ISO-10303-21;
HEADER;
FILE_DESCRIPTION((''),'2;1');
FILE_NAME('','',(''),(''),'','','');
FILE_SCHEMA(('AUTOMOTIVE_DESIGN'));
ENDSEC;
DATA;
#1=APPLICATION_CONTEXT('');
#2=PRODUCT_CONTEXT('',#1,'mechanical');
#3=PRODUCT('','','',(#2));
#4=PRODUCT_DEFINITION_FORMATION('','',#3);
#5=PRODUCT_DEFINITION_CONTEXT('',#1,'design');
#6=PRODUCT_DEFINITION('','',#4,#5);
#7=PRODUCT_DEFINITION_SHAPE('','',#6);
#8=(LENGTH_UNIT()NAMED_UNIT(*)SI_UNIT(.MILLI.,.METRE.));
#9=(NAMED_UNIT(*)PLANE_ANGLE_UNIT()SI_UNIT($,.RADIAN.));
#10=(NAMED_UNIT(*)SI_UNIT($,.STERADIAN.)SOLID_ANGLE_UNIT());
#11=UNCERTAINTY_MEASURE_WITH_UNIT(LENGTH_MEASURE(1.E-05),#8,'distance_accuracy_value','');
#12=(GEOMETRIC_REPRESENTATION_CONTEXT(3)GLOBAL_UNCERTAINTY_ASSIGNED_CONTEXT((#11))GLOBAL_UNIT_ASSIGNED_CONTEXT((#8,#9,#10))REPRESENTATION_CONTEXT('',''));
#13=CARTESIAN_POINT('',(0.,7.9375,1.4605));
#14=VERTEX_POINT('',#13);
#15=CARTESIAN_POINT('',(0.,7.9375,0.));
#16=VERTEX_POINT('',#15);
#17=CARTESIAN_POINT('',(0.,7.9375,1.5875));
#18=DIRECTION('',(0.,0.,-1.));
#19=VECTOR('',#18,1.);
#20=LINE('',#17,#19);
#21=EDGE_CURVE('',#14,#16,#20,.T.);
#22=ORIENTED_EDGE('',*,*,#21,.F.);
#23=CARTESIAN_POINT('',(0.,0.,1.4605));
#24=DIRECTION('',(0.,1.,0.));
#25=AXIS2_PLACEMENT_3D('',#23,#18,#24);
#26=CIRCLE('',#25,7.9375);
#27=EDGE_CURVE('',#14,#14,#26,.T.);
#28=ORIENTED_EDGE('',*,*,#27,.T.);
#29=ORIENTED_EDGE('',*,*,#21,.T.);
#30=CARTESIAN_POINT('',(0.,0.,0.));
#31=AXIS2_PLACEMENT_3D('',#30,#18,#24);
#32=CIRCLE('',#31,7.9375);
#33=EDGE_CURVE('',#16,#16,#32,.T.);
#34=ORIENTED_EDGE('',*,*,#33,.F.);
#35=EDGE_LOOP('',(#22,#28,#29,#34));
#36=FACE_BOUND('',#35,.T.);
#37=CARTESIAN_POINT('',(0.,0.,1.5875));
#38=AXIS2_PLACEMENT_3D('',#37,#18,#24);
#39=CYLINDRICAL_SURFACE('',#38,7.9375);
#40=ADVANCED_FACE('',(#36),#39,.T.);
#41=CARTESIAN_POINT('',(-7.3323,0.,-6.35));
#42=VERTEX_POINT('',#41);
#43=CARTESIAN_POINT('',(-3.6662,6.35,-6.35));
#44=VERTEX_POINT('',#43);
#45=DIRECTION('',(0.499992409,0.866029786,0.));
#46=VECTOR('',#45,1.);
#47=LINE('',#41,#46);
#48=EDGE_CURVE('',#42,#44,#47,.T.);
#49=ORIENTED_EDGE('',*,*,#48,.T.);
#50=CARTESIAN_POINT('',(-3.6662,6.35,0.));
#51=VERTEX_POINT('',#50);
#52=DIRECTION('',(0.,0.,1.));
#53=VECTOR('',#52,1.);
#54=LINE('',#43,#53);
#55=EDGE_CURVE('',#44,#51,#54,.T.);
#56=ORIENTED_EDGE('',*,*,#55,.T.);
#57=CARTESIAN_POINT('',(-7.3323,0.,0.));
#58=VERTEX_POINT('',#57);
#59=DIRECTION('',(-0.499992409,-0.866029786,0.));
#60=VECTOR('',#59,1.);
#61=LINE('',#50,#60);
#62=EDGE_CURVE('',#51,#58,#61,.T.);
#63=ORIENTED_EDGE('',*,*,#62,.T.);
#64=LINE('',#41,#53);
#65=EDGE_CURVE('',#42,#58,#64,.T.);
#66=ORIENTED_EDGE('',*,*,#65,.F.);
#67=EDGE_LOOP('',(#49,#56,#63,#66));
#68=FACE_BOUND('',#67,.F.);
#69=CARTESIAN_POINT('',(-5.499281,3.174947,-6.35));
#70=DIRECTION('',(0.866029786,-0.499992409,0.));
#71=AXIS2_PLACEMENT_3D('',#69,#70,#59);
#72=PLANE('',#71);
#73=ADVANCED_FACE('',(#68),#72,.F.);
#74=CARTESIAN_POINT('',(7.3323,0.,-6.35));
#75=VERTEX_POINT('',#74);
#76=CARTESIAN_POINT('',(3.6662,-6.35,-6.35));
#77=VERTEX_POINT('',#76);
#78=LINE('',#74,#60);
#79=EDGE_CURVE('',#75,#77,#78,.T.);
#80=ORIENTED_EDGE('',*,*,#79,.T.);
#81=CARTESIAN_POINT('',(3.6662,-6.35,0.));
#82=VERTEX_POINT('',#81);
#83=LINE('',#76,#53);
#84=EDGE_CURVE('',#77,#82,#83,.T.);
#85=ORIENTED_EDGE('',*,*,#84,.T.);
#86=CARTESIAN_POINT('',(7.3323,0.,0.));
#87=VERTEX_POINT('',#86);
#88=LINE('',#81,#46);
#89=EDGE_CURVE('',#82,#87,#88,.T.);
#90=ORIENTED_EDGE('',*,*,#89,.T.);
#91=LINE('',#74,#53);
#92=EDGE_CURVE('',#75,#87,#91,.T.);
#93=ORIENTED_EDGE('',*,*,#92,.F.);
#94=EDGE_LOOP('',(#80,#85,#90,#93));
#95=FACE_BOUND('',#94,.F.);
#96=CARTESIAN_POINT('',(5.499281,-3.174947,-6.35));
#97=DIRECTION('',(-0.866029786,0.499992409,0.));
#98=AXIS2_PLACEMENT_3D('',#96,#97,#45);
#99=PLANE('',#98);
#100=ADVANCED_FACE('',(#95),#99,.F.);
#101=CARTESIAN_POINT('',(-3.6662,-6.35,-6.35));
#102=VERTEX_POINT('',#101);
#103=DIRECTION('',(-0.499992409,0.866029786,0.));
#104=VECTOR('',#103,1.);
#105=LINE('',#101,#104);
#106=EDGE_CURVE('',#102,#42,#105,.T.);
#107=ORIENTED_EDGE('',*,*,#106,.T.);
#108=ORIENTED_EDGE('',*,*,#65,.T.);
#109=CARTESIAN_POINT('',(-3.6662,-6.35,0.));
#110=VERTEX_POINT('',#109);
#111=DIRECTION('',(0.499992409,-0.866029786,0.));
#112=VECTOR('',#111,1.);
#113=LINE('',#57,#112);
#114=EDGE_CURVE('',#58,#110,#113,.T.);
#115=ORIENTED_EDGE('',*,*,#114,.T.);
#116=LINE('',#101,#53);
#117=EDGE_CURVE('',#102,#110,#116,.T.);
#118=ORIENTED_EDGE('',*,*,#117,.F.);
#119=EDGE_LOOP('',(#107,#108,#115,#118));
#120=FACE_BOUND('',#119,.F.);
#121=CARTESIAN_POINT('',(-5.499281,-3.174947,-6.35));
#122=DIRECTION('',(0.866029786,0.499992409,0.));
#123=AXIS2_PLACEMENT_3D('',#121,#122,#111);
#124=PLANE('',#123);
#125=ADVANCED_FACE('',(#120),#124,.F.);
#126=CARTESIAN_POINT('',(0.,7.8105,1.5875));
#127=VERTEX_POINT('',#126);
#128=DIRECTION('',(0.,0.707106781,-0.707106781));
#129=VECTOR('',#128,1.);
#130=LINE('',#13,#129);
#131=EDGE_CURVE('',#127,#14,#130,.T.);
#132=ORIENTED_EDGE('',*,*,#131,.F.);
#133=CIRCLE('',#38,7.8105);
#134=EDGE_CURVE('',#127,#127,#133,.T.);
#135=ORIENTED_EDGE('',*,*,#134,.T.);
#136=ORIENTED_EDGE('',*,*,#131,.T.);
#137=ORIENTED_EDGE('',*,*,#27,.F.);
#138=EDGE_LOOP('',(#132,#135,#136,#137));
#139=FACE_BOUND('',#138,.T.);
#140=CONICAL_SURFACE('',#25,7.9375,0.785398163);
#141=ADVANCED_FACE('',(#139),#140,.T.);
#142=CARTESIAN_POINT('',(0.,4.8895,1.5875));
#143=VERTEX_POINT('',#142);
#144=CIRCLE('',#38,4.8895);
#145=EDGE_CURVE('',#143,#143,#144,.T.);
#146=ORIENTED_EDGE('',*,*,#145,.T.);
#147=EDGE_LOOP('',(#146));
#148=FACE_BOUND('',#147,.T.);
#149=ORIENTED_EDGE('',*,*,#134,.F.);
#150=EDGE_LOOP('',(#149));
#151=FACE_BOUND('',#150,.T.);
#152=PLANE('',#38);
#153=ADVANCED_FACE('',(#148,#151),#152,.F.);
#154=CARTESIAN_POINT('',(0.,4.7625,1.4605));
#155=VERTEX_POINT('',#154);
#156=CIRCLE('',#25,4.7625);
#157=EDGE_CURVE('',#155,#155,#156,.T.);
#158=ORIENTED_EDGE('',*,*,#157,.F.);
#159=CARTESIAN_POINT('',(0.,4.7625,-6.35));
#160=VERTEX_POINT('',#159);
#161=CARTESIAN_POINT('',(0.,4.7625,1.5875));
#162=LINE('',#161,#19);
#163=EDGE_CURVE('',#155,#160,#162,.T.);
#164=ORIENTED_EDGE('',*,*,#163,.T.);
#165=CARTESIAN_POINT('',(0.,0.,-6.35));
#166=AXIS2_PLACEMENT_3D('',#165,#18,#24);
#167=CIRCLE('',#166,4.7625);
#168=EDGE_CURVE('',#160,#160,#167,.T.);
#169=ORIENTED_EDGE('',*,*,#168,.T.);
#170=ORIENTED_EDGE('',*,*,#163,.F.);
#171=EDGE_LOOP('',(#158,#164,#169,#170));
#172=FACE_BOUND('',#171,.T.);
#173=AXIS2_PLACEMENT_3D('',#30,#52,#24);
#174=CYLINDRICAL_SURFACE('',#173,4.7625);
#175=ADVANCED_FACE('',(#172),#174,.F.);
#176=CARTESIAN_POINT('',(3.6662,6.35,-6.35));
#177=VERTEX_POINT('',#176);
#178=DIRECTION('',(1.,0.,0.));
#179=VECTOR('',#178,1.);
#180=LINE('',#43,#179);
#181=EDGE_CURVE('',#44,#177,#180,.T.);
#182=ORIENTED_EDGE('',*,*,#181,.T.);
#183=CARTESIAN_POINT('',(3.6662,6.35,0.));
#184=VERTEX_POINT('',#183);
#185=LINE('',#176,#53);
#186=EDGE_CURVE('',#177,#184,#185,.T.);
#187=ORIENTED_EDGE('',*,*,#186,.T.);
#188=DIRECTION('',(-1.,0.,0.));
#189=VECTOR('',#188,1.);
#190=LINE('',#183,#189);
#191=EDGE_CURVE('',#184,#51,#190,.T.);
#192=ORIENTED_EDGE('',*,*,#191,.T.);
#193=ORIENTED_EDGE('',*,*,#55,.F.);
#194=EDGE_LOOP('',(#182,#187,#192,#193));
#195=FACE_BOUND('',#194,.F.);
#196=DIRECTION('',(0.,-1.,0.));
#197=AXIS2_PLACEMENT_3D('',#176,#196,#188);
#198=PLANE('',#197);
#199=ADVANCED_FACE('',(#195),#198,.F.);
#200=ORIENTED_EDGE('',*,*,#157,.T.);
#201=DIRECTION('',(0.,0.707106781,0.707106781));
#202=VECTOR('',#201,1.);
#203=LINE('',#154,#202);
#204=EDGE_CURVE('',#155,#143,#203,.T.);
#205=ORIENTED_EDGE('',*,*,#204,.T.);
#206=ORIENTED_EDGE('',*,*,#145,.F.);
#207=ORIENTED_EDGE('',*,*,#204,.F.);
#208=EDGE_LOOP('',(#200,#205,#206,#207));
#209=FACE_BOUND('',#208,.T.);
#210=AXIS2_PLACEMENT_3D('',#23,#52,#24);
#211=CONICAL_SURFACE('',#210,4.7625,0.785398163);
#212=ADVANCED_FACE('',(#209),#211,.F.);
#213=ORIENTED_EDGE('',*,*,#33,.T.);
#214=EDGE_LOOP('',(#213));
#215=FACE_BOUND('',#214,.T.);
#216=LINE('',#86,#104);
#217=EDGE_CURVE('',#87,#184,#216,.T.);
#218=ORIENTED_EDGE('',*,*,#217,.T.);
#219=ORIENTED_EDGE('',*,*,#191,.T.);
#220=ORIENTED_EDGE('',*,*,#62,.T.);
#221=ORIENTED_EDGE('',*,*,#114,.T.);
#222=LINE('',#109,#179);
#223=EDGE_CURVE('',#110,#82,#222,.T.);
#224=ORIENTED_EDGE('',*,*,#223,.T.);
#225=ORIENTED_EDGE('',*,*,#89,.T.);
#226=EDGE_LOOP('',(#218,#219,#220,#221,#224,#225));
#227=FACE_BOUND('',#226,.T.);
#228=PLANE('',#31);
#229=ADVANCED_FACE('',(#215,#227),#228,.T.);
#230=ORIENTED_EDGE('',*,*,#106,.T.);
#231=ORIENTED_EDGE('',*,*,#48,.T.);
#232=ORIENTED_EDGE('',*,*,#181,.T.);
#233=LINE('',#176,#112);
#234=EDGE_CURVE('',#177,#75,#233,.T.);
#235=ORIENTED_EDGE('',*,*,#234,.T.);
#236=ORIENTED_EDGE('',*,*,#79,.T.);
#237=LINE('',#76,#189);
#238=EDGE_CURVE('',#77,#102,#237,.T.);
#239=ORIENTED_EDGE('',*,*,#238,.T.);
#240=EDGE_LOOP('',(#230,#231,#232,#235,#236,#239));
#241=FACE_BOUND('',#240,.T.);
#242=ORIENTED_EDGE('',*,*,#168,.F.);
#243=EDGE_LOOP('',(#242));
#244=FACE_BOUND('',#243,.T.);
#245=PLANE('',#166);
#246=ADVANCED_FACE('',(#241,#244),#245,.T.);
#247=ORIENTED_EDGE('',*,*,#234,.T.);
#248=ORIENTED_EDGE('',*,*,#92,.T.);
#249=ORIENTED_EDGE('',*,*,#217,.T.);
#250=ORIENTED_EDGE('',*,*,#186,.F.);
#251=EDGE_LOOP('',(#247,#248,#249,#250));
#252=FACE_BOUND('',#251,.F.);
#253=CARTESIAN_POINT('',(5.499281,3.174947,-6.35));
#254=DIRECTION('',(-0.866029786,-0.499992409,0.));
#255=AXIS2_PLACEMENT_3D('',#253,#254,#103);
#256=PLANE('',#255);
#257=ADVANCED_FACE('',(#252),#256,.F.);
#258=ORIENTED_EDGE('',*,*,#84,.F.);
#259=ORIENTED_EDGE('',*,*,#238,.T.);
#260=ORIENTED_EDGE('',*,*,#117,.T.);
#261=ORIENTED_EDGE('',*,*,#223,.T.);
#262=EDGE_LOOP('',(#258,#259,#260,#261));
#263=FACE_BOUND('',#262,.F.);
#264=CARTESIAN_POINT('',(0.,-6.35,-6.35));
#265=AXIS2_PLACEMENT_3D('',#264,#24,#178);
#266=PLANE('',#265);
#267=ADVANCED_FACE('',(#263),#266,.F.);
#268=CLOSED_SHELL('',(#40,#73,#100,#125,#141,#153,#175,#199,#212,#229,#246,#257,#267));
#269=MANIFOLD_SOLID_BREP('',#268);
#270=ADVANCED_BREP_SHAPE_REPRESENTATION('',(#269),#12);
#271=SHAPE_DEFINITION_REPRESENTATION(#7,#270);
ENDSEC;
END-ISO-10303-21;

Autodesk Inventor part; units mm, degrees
ref_plane "YZ Plane" through (0, 0, 0) normal (1, 0, 0) x (0, 1, 0)
ref_plane "XZ Plane" through (0, 0, 0) normal (0, 1, 0) x (-1, 0, 0)
ref_plane "XY Plane" through (0, 0, 0) normal (0, 0, 1) x (1, 0, 0)
sketch "Sketch1" plane through (0, 0, 0) normal (1, 0, 0) x (0, 1, 0)
  line L0 (0, 0) -> (4.7625, 0)
  line L1 (4.7625, 0) -> (4.7625, 1.5875)
  line L2 (4.7625, 1.5875) -> (7.9375, 1.5875)
  line L3 (7.9375, 1.5875) -> (7.9375, 0)
  line L4 (7.9375, 0) -> (6.35, 0)
  line L5 (6.35, 0) -> (6.35, -6.35)
  line L6 (6.35, -6.35) -> (4.7625, -6.35)
  line L7 (4.7625, -6.35) -> (4.7625, 0)
  line L8 (0, 0) -> (0, -7.0209)
  dimension "d0" = 9.525
  dimension "d1" = 12.7
  dimension "d2" = 15.875
  dimension "d3" = 1.5875
  dimension "d4" = 6.35
revolve "Revolution1" add sketch "Sketch1" angle 360 about axis through (0, 0, 0) along (0, 0, -1)
sketch "Sketch2" plane through (0, 0, -6.35) normal (0, 0, -1) x (-1, 0, 0)
  circle A0 centre (0, 0) radius 6.35 projected
  line L0 (-7.3323, 0) -> (-3.6662, 6.35)
  line L1 (-3.6662, 6.35) -> (3.6662, 6.35)
  line L2 (3.6662, 6.35) -> (7.3323, 0)
  line L3 (7.3323, 0) -> (3.6662, -6.35)
  line L4 (3.6662, -6.35) -> (-3.6662, -6.35)
  line L5 (-3.6662, -6.35) -> (-7.3323, 0)
  point P0 (-5.4993, -3.175)
  point P1 (0, -6.35)
  point P2 (-5.4993, 3.175)
  point P3 (5.4993, -3.175)
  point P4 (5.4993, 3.175)
  point P5 (0, 6.35)
extrude "Extrusion1" add sketch "Sketch2" against normal up to surface (6.35 mm away) contours A0 L2 L3 | A0 L1 L2 | L3 L4 A0 | A0 L0 L1 | L4 L5 A0 | A0 L5 L0
chamfer "Chamfer1" distance 0.127 angle 45 2 edges at (0, -7.9375, 1.5875) (0, -4.7625, 1.5875)
properties part number "WCP 500 Hex Bushing" material "Brass, Soft Yellow"
